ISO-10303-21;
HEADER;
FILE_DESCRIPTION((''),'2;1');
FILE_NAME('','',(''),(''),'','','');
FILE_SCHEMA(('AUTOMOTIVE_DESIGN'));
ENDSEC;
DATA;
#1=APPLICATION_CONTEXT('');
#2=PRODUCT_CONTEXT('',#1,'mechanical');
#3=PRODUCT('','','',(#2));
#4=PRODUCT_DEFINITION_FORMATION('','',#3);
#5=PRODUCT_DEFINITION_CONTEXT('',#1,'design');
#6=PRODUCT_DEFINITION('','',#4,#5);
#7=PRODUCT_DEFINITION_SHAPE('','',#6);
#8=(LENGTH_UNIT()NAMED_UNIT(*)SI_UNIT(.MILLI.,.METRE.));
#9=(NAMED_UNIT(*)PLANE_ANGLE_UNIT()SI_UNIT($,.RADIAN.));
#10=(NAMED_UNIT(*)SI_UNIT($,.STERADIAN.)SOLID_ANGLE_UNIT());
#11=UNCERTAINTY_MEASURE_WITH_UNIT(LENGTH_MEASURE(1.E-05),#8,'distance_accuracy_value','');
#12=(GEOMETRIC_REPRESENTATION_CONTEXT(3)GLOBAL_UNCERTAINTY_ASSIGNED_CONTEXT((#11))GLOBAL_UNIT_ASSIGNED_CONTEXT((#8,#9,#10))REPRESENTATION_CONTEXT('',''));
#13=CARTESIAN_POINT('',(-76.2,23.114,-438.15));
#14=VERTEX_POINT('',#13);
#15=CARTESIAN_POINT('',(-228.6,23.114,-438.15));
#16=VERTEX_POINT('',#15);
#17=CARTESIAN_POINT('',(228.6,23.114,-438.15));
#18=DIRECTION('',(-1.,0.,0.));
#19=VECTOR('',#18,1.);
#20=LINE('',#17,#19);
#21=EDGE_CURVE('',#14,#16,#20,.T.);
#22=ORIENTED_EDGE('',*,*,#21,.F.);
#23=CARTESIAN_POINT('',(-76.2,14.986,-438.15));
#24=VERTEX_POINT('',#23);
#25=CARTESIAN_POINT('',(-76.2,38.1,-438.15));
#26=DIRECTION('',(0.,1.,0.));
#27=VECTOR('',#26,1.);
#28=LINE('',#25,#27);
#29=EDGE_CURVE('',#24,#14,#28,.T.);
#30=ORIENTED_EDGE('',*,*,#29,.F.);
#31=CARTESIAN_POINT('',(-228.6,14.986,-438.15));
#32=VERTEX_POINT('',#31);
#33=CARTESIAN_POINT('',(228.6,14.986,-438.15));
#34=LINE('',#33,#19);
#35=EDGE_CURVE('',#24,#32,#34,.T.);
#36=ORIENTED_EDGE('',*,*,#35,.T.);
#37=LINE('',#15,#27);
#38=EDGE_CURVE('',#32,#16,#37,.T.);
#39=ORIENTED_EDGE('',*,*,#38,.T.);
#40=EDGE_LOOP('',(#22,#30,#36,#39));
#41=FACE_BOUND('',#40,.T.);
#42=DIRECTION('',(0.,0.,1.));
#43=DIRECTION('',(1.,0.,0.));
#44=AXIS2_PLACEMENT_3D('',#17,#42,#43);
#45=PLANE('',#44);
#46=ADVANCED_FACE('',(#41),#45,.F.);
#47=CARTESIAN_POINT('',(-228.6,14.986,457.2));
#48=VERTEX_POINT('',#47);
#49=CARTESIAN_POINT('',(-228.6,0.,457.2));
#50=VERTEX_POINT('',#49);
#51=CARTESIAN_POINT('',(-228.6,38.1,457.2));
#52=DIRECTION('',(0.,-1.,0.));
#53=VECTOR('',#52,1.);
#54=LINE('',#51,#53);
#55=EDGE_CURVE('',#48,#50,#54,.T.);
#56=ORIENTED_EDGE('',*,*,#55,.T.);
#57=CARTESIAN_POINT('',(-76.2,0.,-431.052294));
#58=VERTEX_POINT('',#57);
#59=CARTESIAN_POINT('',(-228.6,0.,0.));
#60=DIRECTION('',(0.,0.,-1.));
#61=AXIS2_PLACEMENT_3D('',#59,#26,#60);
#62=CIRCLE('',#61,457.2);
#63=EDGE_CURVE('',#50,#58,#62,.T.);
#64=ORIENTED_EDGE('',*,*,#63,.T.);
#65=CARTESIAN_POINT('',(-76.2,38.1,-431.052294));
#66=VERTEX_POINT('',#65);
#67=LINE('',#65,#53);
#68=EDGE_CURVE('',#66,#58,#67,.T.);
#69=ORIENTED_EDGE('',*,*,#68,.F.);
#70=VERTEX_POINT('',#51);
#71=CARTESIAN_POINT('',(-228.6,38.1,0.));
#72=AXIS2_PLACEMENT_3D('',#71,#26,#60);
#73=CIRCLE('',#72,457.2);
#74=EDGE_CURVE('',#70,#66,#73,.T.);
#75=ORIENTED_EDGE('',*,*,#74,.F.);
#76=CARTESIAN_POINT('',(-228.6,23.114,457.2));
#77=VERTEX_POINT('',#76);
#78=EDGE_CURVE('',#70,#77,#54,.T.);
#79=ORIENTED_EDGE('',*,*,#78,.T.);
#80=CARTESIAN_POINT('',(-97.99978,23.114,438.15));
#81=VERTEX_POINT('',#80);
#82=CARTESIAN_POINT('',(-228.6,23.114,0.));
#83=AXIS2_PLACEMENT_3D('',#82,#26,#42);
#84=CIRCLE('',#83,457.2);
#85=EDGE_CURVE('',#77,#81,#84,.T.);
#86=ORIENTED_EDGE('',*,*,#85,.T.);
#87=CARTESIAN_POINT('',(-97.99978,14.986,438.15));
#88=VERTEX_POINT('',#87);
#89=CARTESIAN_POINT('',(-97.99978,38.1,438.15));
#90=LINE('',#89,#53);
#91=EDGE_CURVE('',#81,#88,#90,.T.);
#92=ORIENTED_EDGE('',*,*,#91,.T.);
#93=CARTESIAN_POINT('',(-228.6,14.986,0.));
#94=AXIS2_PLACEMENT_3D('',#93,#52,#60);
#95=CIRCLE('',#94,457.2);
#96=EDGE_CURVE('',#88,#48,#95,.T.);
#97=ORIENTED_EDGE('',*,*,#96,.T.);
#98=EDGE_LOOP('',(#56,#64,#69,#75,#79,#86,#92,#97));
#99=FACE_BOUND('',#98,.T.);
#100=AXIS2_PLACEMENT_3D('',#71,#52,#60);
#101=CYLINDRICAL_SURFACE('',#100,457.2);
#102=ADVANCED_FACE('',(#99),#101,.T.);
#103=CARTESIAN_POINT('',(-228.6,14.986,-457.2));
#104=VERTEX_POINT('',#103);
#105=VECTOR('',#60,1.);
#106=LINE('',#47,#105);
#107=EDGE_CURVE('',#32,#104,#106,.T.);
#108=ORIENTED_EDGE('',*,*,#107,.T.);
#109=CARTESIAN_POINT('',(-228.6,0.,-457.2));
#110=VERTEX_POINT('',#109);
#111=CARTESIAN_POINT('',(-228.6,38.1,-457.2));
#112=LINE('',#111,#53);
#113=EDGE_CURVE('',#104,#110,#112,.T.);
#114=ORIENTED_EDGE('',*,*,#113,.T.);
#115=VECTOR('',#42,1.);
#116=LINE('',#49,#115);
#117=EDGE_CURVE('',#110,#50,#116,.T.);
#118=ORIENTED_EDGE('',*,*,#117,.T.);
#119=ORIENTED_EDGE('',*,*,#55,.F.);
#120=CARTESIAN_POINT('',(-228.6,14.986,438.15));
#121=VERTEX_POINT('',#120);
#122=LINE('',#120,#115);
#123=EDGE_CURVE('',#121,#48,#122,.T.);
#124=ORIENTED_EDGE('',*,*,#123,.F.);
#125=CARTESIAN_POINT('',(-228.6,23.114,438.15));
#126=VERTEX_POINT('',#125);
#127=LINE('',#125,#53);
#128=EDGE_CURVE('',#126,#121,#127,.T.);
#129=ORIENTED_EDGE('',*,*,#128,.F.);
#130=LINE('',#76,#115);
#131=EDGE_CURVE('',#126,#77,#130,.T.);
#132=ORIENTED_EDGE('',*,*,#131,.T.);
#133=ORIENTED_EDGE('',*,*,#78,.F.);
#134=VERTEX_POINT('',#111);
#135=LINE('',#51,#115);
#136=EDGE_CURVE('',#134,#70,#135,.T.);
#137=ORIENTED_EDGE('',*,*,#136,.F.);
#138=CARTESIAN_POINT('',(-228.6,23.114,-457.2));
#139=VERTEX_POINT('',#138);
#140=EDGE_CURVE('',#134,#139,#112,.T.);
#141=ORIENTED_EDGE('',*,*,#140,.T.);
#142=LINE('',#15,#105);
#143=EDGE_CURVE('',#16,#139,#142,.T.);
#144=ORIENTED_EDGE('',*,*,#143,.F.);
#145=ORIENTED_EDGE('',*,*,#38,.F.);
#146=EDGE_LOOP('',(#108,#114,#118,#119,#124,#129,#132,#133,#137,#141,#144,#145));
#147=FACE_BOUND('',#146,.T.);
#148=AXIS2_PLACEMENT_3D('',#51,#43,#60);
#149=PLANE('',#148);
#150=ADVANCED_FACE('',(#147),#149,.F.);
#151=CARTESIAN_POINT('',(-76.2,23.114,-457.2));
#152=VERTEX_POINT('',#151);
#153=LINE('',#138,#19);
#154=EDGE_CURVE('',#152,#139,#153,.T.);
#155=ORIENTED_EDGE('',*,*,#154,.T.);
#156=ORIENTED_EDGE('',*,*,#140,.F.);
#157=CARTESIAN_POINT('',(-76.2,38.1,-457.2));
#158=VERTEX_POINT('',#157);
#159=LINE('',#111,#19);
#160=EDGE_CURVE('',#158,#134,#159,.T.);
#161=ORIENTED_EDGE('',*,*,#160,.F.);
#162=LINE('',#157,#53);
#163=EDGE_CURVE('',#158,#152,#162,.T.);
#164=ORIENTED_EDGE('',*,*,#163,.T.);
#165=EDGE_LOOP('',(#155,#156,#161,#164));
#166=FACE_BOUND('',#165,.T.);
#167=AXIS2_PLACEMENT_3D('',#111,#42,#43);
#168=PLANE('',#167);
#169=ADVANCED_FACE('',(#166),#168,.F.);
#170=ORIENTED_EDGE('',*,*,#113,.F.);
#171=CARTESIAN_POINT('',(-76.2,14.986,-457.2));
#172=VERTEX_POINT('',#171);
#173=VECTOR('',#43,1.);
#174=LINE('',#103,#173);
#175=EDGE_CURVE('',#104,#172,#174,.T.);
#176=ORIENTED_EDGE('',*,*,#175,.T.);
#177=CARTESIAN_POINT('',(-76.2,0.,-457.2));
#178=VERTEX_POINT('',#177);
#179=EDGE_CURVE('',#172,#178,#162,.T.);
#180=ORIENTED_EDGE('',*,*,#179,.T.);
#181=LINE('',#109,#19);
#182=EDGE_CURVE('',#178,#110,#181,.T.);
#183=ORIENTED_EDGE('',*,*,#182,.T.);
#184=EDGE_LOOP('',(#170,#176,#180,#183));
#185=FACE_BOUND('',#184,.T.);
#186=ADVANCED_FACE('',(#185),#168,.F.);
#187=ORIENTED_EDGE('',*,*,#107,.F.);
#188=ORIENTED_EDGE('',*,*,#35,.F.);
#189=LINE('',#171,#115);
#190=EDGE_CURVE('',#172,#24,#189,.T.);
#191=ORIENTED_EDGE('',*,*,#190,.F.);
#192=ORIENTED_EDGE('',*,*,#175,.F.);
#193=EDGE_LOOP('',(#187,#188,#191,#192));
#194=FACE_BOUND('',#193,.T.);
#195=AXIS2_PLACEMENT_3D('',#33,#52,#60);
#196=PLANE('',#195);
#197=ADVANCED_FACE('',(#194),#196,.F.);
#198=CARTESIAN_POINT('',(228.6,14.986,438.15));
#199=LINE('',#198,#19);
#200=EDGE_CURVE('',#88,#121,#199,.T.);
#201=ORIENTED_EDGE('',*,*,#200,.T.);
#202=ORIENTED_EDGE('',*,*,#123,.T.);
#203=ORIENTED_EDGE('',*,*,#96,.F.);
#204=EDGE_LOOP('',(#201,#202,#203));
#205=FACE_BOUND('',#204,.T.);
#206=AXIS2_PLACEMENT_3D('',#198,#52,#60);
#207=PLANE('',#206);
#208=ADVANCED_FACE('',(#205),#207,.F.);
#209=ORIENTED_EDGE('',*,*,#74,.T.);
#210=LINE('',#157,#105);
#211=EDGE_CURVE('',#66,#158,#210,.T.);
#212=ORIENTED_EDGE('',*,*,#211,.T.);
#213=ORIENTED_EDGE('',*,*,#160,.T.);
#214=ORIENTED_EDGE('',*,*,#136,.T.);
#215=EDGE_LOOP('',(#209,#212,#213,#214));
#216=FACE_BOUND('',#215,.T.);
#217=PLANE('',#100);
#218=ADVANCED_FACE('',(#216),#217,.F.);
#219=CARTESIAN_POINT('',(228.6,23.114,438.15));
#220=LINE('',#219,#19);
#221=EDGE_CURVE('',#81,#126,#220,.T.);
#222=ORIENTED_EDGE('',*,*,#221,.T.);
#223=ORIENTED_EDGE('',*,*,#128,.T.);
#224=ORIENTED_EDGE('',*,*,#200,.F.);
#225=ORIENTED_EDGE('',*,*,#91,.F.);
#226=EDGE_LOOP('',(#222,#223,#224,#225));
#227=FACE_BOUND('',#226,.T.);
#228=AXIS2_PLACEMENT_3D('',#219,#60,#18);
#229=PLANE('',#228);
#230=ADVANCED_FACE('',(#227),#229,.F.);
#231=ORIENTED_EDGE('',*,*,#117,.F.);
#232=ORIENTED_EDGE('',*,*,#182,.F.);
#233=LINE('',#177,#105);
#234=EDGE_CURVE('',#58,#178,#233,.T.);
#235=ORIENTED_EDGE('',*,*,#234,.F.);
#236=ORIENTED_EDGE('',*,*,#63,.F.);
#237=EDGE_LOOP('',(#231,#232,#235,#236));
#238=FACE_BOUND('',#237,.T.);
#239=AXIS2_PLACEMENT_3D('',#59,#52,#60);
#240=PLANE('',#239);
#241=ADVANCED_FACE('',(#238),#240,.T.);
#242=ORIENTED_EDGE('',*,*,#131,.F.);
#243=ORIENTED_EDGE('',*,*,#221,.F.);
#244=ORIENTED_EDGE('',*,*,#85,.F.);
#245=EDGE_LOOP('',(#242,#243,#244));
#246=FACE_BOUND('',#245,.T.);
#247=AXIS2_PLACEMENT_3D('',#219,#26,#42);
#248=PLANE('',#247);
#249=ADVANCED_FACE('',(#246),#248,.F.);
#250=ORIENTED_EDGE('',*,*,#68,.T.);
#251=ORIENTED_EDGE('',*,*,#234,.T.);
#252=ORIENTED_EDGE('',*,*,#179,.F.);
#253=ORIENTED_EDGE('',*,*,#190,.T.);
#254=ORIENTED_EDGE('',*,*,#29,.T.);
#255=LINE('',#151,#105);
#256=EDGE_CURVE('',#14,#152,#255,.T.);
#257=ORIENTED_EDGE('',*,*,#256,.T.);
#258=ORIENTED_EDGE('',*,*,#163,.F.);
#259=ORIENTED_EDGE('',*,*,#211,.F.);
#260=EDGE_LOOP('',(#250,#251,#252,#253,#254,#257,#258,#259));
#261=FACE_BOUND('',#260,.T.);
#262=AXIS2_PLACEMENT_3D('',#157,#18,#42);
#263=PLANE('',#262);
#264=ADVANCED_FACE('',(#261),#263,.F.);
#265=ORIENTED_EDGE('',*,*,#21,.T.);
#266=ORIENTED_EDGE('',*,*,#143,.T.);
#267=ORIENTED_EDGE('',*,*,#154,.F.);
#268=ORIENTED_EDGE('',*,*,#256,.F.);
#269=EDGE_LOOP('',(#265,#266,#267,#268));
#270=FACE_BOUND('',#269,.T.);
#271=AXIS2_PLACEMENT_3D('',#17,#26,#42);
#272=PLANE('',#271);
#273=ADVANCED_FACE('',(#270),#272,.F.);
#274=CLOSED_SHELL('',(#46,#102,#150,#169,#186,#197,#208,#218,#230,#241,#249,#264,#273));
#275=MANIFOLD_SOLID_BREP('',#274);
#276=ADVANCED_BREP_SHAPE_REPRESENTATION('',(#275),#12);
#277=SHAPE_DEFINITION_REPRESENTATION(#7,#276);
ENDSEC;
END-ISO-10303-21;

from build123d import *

# Parameters (mm, degrees)
BOSS_EXTRUDE1_DEPTH = 38.1
SKETCH2_W           = 38.1
SKETCH2_H           = 8.128
CUT_EXTRUDE1_DEPTH  = 458.2


with BuildPart() as part:
    # Sketch1 → Boss-Extrude1 (new body)
    with BuildSketch(Plane(origin=(0, 0, 0), x_dir=(1, 0, 0), z_dir=(0, 1, 0))):
        with BuildLine():
            Line((-228.6, 457.2), (-76.2, 457.2))
            Line((-76.2, 457.2), (-76.2, 431.052293811))
            ThreePointArc((-76.2, 431.052293811), (222.015661474, -77.313424673), (-228.6, -457.2))
            Line((-228.6, -457.2), (-228.6, 457.2))
        make_face()
    extrude(amount=BOSS_EXTRUDE1_DEPTH)

    # Sketch2 → Cut-Extrude1 (cut, through all)
    with BuildSketch(Plane.ZY.offset(228.6)):
        with Locations((457.2, 19.05)):
            Rectangle(SKETCH2_W, SKETCH2_H)
        with Locations((-457.2, 19.05)):
            Rectangle(SKETCH2_W, SKETCH2_H)
    extrude(amount=-CUT_EXTRUDE1_DEPTH, mode=Mode.SUBTRACT)


solid = part.part
